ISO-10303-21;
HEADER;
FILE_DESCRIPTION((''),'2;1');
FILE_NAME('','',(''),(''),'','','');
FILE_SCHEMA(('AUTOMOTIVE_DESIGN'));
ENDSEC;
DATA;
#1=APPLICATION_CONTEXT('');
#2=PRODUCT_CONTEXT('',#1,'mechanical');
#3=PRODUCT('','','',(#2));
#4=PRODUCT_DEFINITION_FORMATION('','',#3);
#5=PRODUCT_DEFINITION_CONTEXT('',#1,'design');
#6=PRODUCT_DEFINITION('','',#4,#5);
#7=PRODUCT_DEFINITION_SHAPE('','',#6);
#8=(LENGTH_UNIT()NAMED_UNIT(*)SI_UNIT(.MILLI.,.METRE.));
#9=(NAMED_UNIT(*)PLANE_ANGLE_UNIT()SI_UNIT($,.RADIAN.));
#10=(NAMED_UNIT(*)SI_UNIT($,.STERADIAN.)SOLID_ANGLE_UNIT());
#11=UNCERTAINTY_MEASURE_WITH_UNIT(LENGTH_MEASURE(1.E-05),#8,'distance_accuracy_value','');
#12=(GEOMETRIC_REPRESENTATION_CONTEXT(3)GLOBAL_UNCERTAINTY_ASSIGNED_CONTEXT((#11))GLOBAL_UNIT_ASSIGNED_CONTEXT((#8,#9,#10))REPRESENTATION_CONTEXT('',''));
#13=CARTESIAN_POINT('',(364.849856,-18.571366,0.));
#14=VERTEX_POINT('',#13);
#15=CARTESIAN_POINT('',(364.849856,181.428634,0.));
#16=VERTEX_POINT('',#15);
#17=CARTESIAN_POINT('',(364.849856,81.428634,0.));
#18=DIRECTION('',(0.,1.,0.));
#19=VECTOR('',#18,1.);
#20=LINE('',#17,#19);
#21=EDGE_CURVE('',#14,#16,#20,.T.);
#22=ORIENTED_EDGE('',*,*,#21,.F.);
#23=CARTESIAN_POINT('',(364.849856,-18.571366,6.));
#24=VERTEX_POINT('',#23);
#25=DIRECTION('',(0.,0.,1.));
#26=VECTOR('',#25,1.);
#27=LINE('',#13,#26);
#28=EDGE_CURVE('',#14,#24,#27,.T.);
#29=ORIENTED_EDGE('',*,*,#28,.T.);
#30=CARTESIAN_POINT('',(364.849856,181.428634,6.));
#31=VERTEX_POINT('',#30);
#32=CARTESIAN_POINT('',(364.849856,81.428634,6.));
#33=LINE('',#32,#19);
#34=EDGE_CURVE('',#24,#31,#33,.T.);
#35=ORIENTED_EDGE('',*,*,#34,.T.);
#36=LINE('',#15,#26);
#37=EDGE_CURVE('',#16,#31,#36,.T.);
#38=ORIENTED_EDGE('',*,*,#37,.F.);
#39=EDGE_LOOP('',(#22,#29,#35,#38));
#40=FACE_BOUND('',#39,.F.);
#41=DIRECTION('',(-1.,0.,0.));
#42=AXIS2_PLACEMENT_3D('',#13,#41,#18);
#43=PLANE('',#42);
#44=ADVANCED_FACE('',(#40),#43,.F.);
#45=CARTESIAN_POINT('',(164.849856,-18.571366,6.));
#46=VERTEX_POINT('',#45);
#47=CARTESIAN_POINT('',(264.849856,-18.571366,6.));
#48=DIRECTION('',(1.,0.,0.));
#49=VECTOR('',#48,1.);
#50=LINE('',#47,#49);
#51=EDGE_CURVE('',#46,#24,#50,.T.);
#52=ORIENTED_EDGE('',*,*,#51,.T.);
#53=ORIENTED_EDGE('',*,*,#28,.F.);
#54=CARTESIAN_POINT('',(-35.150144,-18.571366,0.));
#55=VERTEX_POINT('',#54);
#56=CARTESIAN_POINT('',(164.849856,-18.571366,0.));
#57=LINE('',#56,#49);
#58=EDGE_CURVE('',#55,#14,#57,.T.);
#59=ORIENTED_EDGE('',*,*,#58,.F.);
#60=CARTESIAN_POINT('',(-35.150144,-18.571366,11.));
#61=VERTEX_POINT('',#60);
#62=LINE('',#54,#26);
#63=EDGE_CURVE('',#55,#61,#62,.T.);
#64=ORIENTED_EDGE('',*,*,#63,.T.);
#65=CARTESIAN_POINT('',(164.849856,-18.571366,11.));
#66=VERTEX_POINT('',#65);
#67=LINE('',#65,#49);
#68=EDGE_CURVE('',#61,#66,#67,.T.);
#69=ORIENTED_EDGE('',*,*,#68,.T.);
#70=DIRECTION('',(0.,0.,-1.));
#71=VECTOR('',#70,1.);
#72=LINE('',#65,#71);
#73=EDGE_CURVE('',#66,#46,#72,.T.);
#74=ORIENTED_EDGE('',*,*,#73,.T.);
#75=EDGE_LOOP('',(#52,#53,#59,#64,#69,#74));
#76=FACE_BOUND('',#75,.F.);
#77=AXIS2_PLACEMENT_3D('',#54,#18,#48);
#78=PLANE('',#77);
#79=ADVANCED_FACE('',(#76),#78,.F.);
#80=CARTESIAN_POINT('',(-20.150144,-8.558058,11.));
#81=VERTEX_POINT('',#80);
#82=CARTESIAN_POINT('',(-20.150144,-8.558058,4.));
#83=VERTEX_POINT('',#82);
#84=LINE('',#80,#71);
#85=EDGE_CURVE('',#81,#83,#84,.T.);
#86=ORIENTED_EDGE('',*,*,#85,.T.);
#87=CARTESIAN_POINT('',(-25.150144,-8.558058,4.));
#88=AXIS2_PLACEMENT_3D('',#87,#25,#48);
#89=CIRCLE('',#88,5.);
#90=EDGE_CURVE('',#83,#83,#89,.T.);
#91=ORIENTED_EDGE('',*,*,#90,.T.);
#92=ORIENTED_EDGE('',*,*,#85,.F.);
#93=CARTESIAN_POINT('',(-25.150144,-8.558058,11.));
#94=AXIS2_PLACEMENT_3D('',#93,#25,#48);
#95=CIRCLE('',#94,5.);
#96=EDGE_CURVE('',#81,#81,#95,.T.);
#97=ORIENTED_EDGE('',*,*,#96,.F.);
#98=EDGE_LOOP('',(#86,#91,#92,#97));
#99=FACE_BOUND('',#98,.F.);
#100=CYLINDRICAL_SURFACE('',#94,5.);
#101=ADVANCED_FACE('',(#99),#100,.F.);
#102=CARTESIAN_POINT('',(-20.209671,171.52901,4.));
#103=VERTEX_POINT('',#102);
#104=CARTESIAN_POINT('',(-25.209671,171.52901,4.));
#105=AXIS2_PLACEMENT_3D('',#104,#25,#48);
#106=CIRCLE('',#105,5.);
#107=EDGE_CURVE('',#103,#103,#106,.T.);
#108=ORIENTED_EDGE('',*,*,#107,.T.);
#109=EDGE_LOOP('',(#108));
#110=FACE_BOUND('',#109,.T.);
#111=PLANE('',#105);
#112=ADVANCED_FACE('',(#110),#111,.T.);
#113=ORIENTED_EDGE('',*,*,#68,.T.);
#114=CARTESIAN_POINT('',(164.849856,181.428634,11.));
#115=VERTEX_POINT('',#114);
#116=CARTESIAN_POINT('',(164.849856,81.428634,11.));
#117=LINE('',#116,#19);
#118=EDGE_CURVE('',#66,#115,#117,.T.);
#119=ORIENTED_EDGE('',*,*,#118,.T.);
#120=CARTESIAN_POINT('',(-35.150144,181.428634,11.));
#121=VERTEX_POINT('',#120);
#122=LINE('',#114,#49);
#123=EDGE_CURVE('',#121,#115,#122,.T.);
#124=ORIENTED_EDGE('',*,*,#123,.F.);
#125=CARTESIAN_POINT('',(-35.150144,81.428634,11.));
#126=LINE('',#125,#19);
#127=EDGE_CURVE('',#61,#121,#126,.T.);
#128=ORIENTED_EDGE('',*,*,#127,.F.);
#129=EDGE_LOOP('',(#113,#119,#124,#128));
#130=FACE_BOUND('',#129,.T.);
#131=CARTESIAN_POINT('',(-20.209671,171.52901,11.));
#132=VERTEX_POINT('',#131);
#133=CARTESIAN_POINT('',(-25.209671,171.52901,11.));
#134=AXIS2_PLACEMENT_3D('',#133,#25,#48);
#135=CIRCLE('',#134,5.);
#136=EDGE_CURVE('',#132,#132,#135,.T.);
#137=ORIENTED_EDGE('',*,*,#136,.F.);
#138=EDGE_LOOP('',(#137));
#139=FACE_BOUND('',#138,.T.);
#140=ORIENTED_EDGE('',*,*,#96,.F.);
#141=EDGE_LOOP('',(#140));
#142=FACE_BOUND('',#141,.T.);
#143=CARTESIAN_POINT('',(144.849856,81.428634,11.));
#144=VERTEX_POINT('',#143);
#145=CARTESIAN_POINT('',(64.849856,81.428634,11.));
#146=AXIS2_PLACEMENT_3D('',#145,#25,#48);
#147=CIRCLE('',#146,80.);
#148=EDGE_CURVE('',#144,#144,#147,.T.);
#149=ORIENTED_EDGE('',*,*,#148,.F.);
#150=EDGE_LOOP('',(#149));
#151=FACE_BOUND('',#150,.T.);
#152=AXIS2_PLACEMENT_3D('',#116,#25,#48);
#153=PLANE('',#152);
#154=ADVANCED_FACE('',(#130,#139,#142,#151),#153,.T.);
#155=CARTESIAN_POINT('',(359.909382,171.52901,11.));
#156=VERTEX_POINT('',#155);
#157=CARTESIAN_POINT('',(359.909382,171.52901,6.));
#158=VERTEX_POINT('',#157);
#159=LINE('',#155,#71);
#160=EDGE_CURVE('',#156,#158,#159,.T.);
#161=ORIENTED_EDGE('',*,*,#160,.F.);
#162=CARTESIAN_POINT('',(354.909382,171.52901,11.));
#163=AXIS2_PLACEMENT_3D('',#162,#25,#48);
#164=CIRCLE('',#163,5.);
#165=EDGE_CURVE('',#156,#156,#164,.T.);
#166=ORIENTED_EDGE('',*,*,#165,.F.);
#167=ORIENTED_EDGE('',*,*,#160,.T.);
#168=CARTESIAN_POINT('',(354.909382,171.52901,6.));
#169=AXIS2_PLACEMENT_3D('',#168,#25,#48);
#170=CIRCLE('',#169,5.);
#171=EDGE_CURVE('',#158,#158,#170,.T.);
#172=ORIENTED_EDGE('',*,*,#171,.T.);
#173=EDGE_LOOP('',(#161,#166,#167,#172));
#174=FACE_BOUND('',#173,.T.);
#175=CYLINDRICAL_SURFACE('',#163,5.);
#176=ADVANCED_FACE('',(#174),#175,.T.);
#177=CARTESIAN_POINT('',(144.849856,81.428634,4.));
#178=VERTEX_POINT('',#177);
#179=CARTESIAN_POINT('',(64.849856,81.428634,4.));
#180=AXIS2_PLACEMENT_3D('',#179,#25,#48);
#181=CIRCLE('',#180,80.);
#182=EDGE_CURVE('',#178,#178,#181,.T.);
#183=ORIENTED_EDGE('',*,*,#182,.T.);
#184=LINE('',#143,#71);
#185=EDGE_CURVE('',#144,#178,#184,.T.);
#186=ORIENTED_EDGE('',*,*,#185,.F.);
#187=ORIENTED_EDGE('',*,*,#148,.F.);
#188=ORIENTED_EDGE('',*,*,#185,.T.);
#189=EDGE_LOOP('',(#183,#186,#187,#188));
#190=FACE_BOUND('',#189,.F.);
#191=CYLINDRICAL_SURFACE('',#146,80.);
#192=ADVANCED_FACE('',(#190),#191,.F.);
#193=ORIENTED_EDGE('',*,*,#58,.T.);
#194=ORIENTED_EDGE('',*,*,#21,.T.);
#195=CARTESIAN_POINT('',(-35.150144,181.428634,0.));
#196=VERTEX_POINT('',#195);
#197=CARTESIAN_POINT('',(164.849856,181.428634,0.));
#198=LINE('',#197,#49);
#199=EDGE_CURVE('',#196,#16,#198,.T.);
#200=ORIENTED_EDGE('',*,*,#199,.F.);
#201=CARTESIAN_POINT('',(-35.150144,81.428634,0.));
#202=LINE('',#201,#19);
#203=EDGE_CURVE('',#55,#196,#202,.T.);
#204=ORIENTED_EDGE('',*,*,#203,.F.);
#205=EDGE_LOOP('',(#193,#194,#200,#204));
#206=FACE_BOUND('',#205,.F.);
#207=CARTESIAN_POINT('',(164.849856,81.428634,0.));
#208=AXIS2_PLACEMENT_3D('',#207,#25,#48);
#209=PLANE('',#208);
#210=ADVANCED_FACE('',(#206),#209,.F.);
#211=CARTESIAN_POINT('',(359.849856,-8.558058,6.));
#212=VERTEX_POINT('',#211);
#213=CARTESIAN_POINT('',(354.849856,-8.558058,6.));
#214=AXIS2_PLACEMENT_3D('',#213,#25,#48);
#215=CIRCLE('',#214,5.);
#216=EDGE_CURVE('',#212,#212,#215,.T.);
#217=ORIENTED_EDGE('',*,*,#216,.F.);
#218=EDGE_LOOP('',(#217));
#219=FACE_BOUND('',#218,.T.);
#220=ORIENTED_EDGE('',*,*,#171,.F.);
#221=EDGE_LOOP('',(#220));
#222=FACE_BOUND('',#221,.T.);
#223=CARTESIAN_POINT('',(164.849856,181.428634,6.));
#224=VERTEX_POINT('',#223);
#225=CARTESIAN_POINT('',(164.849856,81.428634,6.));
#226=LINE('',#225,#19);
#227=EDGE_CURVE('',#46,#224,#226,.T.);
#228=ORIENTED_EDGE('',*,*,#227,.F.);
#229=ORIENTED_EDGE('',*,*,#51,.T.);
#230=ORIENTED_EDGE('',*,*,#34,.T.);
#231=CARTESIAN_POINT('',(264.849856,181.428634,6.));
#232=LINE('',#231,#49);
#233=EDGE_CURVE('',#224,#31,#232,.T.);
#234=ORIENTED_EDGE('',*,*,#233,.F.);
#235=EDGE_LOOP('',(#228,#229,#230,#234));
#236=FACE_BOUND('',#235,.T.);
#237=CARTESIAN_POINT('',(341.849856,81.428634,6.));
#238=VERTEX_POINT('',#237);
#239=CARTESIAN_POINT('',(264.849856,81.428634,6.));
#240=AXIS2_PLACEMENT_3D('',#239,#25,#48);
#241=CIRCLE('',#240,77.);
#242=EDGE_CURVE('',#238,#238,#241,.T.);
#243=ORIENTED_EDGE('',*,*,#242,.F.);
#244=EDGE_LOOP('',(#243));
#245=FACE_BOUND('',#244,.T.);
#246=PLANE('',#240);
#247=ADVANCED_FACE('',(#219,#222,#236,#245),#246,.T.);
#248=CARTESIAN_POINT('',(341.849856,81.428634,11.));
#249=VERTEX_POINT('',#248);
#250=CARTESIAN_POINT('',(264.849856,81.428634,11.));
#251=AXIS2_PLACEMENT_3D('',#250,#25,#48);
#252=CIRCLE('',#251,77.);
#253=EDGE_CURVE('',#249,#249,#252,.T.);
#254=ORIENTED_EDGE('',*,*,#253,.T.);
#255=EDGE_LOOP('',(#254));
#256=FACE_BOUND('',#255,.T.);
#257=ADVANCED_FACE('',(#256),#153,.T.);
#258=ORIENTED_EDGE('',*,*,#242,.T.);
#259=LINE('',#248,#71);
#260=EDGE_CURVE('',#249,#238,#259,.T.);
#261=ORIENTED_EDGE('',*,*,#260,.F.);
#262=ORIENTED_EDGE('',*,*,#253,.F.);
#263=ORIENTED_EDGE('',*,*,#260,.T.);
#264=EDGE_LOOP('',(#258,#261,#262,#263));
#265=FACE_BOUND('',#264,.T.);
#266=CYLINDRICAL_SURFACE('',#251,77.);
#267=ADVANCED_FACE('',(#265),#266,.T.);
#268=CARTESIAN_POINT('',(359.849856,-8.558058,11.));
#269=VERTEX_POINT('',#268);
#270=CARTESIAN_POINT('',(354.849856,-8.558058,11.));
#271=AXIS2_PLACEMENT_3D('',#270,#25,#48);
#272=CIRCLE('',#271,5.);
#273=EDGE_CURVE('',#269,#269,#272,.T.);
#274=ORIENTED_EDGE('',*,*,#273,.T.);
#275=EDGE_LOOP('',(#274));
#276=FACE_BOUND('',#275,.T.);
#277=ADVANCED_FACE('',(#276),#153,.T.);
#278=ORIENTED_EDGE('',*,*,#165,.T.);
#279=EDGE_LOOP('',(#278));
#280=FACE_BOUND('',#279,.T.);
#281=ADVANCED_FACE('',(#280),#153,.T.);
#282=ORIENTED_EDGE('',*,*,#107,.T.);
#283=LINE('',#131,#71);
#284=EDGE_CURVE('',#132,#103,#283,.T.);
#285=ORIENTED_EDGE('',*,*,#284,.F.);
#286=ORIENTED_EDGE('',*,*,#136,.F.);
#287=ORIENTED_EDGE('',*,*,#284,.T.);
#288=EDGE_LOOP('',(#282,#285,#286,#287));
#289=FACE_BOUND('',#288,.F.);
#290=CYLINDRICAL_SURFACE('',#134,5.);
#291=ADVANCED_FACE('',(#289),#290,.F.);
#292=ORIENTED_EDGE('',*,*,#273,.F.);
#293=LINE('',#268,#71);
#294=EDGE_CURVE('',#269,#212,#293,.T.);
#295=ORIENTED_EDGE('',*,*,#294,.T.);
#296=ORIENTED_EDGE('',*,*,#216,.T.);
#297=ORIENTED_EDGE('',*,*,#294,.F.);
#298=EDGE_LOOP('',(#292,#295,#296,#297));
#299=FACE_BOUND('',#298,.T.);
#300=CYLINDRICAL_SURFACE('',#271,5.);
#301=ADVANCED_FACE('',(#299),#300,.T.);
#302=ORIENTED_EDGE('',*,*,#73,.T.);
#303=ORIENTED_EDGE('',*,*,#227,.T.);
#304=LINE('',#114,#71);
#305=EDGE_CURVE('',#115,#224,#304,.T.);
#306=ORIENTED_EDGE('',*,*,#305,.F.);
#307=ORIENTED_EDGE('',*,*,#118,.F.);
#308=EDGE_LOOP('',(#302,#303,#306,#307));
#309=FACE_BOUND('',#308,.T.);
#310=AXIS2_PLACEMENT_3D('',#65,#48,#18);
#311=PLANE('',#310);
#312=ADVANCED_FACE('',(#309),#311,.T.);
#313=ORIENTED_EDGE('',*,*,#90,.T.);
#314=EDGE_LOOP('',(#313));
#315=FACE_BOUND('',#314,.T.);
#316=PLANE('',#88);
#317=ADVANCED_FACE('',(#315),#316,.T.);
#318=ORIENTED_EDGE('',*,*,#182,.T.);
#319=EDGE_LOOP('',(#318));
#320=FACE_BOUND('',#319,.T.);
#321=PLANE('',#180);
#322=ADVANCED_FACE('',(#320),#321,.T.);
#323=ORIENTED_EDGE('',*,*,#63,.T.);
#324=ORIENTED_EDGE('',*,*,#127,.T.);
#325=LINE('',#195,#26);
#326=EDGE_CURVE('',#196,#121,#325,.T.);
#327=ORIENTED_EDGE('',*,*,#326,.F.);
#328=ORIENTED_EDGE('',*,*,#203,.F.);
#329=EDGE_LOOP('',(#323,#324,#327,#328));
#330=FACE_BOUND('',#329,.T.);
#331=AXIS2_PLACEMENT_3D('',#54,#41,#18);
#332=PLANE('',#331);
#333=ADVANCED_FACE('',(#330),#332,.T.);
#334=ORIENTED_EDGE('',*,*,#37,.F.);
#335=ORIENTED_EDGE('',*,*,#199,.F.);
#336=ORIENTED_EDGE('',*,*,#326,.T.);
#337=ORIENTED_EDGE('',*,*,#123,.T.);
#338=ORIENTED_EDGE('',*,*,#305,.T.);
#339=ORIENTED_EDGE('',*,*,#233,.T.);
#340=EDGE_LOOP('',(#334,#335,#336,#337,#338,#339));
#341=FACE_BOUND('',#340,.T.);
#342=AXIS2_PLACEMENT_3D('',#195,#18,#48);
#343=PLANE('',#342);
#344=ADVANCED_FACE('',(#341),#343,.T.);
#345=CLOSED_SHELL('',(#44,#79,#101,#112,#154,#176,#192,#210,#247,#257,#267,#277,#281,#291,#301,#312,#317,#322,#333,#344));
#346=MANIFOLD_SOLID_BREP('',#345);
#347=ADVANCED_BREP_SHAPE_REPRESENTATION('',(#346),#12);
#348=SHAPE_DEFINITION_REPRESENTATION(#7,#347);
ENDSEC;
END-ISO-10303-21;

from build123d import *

# Parameters (mm, degrees)
F0_W     = 400
F0_H     = 200
F1_DEPTH = 11
F2_R     = 5
F2_R_2   = 80
F3_DEPTH = 7
F2_W     = 200
F2_H     = 200
F2_R_3   = 77
F4_DEPTH = 5


with BuildPart() as f1:
    # F0 (on Top) → F1 (new body)
    with BuildSketch(Plane.XY):
        with Locations((164.849856, 81.428634)):
            Rectangle(F0_W, F0_H)
    extrude(amount=F1_DEPTH)

    # F2 (on face) → F3 (cut)
    with BuildSketch(Plane.XY.offset(11)):
        with Locations((-25.150144, -8.558058)):
            Circle(F2_R)
        with Locations((64.849856, 81.428634)):
            Circle(F2_R_2)
        with Locations((-25.209671, 171.52901)):
            Circle(F2_R)
    extrude(amount=-F3_DEPTH, mode=Mode.SUBTRACT)

    # F2 (on face) → F4 (cut)
    with BuildSketch(Plane.XY.offset(11)):
        with Locations((264.849856, 81.428634)):
            Rectangle(F2_W, F2_H)
        with Locations((354.849856, -8.558058)):
            Circle(F2_R, mode=Mode.SUBTRACT)
        with Locations((264.849856, 81.428634)):
            Circle(F2_R_3, mode=Mode.SUBTRACT)
        with Locations((354.909382, 171.52901)):
            Circle(F2_R, mode=Mode.SUBTRACT)
    extrude(amount=-F4_DEPTH, mode=Mode.SUBTRACT)


solid = f1.part
